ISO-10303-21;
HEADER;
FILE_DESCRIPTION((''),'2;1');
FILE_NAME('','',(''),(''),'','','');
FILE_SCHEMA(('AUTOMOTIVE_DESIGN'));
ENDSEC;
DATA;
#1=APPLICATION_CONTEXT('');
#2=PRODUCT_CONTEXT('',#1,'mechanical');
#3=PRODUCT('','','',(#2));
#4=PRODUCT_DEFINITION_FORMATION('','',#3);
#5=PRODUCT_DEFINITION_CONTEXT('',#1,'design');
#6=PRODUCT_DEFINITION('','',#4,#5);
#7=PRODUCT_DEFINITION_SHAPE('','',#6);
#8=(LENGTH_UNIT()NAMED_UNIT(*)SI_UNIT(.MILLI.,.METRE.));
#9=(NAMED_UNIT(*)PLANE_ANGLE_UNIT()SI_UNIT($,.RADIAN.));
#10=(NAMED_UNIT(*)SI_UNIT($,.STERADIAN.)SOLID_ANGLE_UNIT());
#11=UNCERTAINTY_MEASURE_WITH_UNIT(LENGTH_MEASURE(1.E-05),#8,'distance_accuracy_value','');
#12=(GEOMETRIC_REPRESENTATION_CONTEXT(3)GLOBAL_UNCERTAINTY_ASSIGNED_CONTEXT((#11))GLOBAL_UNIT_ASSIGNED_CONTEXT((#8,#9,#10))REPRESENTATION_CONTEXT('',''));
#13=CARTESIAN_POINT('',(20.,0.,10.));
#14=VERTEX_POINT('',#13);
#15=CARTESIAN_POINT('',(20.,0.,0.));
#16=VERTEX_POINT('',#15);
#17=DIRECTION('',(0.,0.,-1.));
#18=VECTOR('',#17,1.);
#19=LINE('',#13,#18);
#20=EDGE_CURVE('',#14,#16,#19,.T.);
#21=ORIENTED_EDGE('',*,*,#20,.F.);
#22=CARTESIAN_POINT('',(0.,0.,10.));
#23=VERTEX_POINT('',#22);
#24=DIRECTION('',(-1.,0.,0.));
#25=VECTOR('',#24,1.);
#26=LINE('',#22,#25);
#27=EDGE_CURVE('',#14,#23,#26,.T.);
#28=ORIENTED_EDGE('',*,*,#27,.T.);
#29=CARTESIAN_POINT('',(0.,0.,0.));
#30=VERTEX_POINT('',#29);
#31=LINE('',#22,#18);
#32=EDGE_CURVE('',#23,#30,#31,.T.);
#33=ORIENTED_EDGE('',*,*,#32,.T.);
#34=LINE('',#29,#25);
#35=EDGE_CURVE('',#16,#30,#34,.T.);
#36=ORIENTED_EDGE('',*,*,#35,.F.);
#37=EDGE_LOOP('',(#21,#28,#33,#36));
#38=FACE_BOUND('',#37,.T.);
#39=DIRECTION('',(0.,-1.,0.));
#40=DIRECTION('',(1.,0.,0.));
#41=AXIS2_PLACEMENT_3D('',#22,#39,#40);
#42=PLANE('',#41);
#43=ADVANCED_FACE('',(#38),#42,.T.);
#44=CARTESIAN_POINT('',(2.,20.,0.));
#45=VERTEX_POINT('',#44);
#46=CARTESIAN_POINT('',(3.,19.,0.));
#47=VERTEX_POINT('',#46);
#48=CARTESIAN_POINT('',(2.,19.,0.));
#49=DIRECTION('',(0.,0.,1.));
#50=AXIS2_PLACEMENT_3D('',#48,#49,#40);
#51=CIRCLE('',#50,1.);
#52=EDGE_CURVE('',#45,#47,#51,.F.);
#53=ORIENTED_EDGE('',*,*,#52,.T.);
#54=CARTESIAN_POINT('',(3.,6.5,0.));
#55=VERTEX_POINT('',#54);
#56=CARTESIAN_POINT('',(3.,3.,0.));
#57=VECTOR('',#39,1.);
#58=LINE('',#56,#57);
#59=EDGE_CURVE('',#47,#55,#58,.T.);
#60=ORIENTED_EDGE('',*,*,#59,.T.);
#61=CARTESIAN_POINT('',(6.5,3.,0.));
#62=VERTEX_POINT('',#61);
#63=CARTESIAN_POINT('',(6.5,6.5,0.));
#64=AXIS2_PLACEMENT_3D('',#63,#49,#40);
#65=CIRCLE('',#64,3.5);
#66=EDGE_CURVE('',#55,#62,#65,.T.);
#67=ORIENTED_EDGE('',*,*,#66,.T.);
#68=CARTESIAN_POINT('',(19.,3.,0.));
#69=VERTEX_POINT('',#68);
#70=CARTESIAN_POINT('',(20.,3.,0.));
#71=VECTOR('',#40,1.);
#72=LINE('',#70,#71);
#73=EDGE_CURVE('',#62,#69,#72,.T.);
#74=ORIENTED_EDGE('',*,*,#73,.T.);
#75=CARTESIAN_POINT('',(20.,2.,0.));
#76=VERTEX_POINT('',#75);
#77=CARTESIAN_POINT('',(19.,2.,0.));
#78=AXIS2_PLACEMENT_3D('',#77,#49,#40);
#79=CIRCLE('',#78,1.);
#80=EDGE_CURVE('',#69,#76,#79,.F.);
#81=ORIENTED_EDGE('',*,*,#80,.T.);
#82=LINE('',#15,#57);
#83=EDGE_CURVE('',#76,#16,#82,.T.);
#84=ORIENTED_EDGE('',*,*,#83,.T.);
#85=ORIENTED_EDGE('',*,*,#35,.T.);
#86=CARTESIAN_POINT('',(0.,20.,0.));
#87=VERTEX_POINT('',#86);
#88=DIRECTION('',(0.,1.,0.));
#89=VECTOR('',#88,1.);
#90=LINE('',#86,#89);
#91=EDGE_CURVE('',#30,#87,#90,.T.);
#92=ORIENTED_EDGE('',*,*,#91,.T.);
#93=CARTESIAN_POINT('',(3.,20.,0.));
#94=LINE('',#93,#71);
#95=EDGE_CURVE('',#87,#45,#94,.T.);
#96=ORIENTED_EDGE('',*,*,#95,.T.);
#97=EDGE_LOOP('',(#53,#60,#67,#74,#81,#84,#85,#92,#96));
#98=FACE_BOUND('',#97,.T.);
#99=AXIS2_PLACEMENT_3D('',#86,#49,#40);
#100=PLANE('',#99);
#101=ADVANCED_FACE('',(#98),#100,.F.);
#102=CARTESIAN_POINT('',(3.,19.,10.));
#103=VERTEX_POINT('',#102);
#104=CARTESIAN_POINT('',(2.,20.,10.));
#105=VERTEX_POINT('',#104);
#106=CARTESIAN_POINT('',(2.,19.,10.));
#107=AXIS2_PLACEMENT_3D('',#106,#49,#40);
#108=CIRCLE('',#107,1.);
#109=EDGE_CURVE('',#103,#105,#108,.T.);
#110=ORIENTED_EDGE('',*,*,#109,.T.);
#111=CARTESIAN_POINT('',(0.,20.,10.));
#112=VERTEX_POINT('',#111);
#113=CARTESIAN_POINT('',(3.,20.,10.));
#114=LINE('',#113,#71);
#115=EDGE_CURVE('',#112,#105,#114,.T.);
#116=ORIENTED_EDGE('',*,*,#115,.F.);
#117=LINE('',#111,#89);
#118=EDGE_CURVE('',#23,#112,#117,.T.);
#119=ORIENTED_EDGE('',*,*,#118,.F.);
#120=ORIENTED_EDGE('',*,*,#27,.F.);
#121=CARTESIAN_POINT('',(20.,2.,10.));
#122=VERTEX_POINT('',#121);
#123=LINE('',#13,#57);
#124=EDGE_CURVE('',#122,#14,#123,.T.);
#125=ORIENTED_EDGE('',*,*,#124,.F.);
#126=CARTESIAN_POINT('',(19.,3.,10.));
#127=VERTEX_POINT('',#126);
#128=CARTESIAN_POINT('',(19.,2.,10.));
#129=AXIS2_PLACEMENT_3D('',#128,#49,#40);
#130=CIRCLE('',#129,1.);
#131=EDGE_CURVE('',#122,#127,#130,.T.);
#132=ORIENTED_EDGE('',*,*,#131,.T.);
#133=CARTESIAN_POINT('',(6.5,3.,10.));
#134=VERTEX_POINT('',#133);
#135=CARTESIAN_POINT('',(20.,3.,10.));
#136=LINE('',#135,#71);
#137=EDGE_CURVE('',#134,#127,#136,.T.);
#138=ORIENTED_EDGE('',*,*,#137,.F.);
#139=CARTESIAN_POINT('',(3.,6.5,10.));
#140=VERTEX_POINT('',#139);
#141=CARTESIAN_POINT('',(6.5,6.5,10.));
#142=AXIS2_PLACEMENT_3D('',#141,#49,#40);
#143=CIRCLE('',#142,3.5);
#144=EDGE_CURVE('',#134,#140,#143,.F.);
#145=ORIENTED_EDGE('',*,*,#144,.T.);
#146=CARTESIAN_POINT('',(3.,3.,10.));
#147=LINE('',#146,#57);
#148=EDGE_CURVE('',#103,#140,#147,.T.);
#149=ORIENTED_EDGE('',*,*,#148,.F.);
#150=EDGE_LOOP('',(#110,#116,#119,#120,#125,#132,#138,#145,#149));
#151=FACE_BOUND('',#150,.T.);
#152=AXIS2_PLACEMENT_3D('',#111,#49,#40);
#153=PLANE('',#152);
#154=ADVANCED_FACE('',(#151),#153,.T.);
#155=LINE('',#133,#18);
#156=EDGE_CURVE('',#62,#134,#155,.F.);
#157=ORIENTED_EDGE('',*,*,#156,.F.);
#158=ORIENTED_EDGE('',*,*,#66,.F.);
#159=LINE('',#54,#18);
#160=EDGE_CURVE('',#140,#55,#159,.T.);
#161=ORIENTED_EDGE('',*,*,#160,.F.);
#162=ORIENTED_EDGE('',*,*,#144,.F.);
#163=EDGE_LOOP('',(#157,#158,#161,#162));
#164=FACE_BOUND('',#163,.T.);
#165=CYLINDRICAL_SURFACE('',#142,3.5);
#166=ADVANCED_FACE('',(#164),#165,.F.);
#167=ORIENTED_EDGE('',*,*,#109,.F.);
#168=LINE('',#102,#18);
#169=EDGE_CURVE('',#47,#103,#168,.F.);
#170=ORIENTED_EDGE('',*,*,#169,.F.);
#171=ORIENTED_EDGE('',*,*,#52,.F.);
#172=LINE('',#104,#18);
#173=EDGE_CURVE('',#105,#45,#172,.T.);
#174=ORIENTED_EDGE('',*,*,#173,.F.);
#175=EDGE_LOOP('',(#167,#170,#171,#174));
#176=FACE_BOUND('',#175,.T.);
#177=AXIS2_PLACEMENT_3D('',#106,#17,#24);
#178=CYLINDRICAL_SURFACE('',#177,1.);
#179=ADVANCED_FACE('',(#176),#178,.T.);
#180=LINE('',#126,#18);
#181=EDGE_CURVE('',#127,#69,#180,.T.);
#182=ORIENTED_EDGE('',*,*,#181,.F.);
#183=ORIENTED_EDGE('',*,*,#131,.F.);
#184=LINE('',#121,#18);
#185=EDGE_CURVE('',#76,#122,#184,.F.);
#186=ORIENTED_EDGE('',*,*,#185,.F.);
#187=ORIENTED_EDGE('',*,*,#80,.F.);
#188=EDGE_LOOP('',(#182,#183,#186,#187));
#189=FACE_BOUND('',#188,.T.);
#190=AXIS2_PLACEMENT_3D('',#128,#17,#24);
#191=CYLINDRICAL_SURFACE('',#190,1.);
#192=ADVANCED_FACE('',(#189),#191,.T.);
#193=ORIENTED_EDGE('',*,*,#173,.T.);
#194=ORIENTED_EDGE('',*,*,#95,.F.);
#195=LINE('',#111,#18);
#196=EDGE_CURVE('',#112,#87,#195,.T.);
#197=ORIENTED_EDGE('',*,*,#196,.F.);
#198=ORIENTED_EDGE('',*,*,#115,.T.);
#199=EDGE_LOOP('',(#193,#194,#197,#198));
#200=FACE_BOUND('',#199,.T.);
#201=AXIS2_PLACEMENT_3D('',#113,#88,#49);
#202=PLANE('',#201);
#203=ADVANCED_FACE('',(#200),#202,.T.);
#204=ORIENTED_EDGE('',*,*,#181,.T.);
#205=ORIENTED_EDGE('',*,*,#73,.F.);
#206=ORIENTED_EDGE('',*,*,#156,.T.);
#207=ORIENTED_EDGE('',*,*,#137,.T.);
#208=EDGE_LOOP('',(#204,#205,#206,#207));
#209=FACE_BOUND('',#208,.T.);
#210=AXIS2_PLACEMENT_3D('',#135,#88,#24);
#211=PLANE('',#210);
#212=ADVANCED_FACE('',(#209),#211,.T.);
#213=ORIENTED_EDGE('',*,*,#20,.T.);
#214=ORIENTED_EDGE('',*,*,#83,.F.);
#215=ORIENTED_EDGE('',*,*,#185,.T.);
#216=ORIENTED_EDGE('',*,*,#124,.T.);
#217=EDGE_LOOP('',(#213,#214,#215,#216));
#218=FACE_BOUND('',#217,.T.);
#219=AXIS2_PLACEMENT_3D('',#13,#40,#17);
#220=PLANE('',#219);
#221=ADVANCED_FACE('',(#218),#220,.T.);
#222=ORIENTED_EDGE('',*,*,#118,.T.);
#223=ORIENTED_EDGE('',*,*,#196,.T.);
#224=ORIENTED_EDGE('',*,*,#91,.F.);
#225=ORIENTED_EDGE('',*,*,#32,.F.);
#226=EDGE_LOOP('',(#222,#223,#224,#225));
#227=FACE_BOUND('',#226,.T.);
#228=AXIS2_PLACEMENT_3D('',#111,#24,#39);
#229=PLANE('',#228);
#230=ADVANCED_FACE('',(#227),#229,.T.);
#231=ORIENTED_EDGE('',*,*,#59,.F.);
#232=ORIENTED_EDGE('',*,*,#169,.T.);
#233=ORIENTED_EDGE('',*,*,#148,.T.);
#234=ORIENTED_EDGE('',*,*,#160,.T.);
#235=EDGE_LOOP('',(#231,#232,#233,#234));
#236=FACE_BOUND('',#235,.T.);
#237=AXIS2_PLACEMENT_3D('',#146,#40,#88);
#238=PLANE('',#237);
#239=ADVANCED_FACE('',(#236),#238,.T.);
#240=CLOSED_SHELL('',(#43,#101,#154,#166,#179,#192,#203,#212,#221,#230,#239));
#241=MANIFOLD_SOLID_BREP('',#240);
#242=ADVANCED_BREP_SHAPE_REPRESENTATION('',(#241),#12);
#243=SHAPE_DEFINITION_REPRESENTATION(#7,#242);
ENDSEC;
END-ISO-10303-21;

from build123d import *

# Parameters (mm, degrees)
EXTRUDE_1_DEPTH = 10
FILLET_1_R      = 1
FILLET_2_R      = 3.5


with BuildPart() as part:
    # 草图1 → 凸台-拉伸1 (new body)
    with BuildSketch(Plane(origin=(0, 0, 0), x_dir=(-1, 0, 0), z_dir=(0, 0, -1))):
        Polygon((0, 20), (0, 0), (-20, 0), (-20, 3), (-3, 3), (-3, 20), align=None)
    extrude(amount=-EXTRUDE_1_DEPTH)

    # 圆角1
    fillet_1_edges = [part.edges().sort_by_distance(p)[0] for p in [
        (20, 3, 5),
        (3, 20, 5),
    ]]
    fillet(fillet_1_edges, radius=FILLET_1_R)

    # 圆角2
    fillet_2_edges = [part.edges().sort_by_distance(p)[0] for p in [
        (3, 3, 5),
    ]]
    fillet(fillet_2_edges, radius=FILLET_2_R)


solid = part.part
